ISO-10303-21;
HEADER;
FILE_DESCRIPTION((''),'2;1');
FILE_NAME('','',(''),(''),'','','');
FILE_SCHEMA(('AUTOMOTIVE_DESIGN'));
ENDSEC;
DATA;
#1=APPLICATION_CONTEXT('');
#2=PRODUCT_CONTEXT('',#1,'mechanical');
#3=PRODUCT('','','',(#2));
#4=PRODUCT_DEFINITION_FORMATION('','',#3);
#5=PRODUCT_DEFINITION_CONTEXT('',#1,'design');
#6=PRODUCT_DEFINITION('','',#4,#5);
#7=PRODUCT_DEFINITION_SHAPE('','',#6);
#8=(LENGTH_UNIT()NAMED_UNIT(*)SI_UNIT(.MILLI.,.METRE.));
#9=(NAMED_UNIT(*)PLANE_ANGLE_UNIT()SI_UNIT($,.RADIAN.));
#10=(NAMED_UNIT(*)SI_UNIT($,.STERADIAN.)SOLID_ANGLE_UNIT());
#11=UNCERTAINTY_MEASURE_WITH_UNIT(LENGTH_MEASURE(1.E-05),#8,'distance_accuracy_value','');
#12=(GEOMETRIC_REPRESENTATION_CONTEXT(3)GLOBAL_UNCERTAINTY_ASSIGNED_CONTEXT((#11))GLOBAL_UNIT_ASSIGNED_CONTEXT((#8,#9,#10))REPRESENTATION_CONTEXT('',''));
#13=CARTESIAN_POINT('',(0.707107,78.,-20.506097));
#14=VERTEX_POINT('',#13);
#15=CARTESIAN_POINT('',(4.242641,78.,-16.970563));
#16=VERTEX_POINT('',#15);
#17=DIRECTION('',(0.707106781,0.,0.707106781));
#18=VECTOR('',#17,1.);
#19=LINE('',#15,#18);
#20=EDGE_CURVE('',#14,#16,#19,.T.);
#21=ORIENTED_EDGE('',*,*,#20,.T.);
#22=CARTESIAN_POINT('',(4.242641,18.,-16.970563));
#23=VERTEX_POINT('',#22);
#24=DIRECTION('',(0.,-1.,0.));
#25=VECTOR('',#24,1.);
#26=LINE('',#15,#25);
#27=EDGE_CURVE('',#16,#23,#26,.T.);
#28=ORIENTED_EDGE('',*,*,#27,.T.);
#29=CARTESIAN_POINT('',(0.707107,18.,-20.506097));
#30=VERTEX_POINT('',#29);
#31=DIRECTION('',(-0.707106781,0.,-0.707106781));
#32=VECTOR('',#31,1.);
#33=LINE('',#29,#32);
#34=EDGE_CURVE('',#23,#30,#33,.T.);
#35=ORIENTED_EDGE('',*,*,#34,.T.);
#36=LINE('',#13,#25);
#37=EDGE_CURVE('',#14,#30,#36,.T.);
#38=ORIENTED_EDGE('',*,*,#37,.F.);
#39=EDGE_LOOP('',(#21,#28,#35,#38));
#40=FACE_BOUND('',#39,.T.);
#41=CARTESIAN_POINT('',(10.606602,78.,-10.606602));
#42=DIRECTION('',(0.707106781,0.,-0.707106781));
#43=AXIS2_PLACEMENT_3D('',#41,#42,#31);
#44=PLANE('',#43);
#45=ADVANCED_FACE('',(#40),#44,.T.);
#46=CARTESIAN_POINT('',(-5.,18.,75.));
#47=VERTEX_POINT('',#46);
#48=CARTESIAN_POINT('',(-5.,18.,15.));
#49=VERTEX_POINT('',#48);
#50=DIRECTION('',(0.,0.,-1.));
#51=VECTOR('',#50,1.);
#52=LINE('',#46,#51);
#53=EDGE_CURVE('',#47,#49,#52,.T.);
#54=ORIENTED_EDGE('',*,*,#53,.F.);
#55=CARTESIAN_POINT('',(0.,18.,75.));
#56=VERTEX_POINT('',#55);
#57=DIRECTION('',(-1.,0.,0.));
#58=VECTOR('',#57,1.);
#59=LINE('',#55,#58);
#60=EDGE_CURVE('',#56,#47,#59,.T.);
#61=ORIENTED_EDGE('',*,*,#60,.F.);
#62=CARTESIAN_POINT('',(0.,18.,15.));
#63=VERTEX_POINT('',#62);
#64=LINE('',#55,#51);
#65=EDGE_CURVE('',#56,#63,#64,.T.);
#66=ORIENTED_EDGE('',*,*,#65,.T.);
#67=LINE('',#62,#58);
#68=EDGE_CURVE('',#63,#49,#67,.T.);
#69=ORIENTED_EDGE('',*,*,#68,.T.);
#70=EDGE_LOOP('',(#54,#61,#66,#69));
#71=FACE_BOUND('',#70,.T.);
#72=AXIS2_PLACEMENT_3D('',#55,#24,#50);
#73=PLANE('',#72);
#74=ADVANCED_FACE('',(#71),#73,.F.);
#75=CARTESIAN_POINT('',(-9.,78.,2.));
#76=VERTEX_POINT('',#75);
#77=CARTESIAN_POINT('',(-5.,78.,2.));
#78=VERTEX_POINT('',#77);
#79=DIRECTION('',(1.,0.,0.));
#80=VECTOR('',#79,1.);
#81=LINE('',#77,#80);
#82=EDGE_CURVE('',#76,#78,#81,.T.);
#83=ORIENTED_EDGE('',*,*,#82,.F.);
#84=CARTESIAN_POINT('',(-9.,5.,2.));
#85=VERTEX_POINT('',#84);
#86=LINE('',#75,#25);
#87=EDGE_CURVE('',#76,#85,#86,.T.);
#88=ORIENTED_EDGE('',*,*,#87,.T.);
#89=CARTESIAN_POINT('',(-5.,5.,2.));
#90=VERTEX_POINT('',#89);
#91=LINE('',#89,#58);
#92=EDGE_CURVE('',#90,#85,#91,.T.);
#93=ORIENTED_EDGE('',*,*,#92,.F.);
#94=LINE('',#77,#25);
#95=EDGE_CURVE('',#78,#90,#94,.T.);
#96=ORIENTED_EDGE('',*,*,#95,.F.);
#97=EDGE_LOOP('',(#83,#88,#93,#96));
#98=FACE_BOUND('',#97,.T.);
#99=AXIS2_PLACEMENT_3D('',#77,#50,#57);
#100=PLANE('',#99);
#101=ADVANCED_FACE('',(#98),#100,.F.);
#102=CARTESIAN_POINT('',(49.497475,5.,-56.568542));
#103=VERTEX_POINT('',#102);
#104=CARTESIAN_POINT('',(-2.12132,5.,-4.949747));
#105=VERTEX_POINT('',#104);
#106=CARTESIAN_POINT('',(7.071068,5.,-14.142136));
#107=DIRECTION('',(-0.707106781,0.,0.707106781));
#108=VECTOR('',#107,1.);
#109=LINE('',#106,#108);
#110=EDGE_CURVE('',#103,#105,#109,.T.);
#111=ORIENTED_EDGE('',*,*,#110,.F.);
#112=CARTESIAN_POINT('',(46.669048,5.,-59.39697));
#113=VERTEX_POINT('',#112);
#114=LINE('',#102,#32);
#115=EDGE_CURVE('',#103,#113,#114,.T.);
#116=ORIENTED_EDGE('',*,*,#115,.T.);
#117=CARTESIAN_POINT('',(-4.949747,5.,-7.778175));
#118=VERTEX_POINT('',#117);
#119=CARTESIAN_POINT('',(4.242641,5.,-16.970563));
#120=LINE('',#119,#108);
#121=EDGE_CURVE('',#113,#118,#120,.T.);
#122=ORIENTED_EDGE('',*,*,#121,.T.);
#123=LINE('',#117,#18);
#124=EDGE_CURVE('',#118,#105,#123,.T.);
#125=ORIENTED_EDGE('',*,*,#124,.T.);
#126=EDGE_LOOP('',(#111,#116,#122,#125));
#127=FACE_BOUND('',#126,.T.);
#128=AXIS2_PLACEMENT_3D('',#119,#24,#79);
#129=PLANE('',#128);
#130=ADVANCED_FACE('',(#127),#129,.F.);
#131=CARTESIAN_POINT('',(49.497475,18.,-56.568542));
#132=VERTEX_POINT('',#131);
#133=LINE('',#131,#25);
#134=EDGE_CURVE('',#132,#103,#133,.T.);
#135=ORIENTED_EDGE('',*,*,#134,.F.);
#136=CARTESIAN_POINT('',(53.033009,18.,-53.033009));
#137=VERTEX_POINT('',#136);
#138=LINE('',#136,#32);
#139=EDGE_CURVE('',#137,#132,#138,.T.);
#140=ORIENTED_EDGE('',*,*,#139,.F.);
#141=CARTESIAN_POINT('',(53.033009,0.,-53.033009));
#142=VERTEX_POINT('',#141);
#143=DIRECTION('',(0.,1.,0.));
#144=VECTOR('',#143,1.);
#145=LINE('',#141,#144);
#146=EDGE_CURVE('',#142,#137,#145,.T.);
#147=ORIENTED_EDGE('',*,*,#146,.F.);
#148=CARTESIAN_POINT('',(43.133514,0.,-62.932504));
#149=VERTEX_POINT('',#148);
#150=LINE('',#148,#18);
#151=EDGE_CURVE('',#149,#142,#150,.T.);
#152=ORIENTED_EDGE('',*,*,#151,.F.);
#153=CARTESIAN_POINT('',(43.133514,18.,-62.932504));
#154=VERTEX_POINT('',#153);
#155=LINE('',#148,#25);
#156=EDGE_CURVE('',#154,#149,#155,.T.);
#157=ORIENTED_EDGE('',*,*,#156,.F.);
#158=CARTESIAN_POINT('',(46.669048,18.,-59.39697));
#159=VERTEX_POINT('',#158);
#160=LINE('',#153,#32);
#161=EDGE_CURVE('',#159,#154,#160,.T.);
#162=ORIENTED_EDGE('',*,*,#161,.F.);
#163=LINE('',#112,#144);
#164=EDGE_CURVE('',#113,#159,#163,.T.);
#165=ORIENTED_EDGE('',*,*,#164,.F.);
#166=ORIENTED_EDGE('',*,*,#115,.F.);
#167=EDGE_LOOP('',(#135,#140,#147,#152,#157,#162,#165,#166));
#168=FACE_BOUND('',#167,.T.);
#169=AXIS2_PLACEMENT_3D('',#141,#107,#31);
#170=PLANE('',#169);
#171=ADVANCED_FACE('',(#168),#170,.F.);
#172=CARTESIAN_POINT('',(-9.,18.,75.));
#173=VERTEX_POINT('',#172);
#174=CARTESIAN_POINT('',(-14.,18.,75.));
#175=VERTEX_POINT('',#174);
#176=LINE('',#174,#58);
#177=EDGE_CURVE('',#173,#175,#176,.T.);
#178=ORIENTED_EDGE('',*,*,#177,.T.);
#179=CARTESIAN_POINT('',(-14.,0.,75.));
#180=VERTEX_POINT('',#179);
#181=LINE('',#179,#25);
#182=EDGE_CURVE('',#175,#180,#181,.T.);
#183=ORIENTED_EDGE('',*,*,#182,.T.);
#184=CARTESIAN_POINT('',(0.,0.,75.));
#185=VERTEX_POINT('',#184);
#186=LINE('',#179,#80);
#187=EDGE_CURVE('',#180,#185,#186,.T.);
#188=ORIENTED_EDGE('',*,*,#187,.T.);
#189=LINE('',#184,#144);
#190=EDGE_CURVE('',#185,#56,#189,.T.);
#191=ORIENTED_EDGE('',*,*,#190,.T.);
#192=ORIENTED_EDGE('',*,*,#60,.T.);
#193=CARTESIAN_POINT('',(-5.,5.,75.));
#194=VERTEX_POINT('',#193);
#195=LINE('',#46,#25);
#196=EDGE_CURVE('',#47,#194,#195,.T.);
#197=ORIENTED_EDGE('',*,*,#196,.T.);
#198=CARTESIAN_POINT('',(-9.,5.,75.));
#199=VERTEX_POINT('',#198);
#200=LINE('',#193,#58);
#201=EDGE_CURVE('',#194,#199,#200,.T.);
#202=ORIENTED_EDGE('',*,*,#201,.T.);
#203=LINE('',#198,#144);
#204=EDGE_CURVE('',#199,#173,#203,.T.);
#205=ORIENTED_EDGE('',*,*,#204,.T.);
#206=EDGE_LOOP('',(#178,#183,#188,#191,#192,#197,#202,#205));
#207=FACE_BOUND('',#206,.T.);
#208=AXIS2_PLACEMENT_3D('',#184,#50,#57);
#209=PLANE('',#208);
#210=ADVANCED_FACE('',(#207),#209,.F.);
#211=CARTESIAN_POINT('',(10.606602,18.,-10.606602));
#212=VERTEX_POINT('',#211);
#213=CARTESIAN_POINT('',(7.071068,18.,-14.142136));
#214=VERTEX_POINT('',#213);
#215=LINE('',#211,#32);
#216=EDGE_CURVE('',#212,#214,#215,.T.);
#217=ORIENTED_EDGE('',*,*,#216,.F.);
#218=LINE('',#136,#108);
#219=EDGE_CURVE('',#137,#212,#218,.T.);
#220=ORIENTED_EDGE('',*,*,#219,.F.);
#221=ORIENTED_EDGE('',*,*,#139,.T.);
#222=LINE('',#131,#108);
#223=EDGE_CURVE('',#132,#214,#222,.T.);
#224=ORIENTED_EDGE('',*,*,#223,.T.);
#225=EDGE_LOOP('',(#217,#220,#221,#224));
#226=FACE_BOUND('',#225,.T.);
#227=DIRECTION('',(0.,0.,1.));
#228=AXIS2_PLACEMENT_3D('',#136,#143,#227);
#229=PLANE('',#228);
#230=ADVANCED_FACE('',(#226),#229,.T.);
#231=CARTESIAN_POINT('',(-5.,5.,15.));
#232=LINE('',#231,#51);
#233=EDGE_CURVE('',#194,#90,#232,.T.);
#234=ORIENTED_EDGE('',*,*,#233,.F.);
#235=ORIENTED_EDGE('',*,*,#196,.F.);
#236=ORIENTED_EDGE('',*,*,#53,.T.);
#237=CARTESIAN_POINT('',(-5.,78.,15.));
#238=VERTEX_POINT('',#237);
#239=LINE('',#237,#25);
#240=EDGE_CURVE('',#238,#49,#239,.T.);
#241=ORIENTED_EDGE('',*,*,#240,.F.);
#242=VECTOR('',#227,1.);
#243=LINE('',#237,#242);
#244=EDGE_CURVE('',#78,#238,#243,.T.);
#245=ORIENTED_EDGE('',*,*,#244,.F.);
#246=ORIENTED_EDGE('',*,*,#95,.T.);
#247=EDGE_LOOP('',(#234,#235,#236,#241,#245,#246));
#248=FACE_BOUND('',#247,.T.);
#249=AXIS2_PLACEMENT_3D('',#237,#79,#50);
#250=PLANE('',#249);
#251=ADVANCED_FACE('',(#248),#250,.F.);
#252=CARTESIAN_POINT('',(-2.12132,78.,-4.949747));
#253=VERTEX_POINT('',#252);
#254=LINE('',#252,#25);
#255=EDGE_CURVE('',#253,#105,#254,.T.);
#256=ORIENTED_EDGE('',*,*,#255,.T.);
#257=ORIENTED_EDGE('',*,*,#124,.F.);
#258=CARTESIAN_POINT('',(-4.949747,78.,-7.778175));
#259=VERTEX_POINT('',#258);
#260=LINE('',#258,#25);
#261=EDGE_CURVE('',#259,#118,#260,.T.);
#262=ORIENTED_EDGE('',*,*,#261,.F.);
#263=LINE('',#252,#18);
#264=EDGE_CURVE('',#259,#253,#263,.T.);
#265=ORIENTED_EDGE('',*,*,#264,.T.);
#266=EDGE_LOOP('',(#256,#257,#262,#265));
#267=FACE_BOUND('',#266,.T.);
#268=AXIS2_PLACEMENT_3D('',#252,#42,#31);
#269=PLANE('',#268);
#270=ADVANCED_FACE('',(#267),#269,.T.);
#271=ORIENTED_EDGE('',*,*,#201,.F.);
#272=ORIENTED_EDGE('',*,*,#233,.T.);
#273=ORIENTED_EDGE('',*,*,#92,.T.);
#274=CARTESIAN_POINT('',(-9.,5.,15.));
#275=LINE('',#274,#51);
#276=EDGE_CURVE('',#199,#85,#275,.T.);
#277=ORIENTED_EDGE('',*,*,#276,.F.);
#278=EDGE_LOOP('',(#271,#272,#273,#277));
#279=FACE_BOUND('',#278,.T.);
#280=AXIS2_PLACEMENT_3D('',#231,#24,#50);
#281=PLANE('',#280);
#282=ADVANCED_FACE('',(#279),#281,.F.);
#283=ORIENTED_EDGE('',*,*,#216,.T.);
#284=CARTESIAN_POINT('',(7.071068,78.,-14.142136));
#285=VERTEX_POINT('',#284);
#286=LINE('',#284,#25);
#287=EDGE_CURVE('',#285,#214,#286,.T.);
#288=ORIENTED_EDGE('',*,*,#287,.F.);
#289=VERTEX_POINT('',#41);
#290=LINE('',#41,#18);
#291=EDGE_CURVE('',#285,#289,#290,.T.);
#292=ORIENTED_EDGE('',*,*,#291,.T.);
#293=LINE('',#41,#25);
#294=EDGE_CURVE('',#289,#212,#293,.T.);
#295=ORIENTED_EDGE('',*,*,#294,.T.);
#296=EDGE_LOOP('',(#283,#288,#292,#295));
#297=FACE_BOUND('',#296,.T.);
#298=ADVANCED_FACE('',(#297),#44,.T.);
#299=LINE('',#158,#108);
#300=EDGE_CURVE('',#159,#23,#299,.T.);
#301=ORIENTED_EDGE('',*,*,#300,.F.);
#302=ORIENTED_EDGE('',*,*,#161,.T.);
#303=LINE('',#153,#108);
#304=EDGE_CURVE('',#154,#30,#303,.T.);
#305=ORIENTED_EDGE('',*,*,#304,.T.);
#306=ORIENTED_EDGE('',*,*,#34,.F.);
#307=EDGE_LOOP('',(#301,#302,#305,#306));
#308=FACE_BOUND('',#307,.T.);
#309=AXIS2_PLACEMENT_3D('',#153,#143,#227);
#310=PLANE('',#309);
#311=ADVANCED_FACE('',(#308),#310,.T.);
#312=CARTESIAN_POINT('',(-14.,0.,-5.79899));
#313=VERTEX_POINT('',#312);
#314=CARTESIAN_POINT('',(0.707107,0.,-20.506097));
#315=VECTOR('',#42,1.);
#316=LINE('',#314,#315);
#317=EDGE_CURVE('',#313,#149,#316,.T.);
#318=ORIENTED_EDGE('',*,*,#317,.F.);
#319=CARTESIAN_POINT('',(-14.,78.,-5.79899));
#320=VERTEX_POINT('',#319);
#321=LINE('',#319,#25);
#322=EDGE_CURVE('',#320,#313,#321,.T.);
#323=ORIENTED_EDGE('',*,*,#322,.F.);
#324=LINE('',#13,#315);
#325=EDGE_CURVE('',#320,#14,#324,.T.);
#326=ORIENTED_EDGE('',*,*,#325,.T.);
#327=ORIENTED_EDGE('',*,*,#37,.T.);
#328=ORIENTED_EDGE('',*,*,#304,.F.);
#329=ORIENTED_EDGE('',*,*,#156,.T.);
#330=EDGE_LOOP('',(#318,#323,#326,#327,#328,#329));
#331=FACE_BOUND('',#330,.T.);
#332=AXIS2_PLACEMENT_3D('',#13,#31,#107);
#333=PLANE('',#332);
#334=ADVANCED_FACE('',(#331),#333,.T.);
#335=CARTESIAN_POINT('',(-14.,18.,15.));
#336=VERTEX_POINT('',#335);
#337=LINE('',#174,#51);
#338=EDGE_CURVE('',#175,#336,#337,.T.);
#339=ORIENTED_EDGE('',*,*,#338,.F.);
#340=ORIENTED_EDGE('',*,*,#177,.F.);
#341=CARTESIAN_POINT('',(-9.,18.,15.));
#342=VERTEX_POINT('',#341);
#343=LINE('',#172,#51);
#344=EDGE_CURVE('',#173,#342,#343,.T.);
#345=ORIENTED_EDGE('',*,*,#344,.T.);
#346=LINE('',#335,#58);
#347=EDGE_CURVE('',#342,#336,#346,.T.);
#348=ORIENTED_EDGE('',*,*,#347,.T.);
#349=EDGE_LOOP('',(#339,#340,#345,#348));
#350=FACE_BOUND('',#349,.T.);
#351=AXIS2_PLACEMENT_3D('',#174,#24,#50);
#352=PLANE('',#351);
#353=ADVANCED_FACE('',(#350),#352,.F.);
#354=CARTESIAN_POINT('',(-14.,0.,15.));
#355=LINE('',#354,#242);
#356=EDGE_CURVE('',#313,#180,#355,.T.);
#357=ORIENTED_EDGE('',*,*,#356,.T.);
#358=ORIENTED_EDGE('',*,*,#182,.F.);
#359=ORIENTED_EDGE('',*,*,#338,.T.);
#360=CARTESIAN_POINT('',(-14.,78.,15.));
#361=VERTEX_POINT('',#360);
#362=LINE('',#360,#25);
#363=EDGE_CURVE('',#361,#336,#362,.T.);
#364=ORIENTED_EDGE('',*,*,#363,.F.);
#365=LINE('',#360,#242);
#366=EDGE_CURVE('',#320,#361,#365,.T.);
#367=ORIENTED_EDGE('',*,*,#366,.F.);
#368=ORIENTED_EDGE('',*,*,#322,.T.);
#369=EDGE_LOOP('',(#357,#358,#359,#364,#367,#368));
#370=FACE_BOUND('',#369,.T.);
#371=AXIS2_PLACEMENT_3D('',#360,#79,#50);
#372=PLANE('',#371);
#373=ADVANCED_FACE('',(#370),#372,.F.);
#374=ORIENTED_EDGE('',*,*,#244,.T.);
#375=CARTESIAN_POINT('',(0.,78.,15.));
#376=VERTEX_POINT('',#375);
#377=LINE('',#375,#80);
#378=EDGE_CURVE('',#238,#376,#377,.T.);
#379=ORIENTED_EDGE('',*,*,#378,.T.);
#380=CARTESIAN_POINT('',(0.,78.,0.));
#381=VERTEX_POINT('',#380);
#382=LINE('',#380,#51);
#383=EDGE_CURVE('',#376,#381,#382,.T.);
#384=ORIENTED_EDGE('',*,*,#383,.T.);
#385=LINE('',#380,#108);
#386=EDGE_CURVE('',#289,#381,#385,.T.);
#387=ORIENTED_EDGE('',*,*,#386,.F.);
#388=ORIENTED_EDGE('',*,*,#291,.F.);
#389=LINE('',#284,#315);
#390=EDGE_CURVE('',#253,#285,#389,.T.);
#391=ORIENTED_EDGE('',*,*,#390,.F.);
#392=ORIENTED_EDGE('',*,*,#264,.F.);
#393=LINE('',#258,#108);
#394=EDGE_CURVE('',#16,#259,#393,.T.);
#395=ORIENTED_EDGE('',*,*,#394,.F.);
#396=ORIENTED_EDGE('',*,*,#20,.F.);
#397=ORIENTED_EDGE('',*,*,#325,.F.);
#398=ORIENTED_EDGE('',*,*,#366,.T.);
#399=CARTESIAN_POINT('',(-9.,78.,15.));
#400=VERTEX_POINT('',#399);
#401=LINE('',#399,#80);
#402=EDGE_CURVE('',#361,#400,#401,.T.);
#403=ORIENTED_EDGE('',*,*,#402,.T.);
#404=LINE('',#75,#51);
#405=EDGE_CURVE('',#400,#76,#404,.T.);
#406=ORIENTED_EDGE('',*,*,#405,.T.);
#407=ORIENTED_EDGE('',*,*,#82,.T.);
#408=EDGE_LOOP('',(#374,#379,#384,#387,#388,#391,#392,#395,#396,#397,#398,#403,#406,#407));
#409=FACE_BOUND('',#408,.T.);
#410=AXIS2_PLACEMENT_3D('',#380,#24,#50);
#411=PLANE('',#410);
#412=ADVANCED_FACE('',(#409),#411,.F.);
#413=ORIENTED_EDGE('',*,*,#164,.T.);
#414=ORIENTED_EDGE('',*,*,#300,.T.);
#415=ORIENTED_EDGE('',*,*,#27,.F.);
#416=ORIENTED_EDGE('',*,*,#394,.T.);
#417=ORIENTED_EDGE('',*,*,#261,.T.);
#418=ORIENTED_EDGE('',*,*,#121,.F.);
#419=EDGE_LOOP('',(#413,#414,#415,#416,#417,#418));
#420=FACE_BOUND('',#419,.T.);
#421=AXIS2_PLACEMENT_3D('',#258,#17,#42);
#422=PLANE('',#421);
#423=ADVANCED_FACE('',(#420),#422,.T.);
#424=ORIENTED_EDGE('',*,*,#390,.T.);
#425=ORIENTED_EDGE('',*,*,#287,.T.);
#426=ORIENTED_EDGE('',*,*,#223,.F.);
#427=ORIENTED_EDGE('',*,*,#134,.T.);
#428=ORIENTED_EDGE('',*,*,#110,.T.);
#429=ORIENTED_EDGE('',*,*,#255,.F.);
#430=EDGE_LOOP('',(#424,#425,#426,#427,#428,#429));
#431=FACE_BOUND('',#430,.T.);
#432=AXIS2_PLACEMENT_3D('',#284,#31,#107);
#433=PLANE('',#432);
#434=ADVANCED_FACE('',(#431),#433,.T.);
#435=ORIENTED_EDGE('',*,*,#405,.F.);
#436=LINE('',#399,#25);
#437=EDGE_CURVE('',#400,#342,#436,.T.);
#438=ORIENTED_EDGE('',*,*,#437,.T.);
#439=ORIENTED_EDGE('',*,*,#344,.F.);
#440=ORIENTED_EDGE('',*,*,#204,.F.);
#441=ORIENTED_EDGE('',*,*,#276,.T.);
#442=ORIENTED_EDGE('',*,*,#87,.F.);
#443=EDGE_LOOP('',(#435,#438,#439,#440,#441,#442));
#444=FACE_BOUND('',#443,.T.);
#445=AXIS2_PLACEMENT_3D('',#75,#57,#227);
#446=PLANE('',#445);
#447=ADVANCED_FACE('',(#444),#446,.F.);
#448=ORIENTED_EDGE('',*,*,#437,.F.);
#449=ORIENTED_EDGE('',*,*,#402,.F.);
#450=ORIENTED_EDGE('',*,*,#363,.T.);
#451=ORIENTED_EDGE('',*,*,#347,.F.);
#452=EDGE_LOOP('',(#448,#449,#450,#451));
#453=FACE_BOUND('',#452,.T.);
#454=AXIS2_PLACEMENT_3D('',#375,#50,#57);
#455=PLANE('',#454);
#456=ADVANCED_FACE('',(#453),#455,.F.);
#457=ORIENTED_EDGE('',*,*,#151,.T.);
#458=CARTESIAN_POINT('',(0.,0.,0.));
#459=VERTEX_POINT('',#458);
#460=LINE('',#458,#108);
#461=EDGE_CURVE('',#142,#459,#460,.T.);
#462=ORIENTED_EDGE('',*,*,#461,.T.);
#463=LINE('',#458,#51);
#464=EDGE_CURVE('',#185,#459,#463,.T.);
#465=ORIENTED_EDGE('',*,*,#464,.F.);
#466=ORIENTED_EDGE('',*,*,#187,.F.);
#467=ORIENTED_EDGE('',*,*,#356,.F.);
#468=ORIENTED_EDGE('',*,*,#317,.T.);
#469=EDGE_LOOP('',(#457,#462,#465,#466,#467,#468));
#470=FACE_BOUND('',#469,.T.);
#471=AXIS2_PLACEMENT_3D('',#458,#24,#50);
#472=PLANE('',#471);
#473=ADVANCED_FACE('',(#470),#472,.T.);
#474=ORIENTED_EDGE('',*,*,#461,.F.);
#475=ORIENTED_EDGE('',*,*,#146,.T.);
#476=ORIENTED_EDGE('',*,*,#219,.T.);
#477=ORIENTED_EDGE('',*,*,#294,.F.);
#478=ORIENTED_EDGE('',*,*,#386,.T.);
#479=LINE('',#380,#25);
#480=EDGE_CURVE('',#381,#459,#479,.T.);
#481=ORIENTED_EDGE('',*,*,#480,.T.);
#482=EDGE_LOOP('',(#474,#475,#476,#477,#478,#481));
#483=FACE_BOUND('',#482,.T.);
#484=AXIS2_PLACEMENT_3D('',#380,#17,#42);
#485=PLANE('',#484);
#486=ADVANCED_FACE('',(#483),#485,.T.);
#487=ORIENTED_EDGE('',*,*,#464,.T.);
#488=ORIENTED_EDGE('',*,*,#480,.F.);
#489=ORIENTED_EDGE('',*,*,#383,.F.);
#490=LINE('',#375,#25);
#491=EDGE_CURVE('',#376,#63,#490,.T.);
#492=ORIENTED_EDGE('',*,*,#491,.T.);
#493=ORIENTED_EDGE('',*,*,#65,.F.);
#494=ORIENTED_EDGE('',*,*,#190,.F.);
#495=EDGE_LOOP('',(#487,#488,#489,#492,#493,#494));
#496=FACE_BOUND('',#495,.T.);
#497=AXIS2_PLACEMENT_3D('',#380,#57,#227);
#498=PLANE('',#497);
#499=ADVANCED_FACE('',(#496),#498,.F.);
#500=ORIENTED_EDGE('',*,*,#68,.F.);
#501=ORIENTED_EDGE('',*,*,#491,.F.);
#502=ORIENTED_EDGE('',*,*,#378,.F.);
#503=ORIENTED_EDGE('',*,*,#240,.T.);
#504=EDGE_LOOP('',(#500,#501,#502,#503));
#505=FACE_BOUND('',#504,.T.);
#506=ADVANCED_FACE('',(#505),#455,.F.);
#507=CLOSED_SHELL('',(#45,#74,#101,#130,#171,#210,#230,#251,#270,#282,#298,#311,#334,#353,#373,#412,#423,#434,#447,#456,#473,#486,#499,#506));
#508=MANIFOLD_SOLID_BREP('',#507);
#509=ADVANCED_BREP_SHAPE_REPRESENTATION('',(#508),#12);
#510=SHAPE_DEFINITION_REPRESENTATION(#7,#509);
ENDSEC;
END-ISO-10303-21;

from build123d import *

# Parameters (mm, degrees)
BOSS_EXTRUDE1_DEPTH = 78
SKETCH4_W           = 4
SKETCH4_H           = 5
BOSS_EXTRUDE2_DEPTH = 13
SKETCH5_W           = 4
SKETCH5_H           = 5
BOSS_EXTRUDE3_DEPTH = 13
BOSS_EXTRUDE6_DEPTH = 60


with BuildPart() as part:
    # Sketch2 → Boss-Extrude1 (new body)
    with BuildSketch(Plane(origin=(0, 0, 0), x_dir=(1, 0, 0), z_dir=(0, 1, 0))):
        Polygon((0, 0), (0, -15), (-5, -15), (-5, -2), (-9, -2), (-9, -15), (-14, -15), (-14, 5.798989873), align=None)
    boss_extrude1 = extrude(amount=BOSS_EXTRUDE1_DEPTH)

    # Mirror1: Boss-Extrude1 across plane
    add(boss_extrude1.mirror(Plane(origin=(0, 78, 0), x_dir=(0.9238795325112891, 0, 0.382683432365084), z_dir=(-0.382683432365084, 0, 0.9238795325112892))))

    # Sketch4 → Boss-Extrude2 (add)
    with BuildSketch(Plane(origin=(1.414213562, 0, -1.414213562), x_dir=(-0.7071067811865562, 0, -0.7071067811865389), z_dir=(0.7071067811865389, 0, -0.7071067811865562))):
        with Locations((7, 2.5)):
            Rectangle(SKETCH4_W, SKETCH4_H)
    extrude(amount=BOSS_EXTRUDE2_DEPTH)

    # Sketch5 → Boss-Extrude3 (add)
    with BuildSketch(Plane.XY.offset(2)):
        with Locations((-7, 2.5)):
            Rectangle(SKETCH5_W, SKETCH5_H)
    extrude(amount=BOSS_EXTRUDE3_DEPTH)

    # Sketch14 → Boss-Extrude6 (add)
    with BuildSketch(Plane.XY.offset(15)):
        Polygon((-14, 0), (0, 0), (0, 18), (-5, 18), (-5, 5), (-9, 5), (-9, 18), (-14, 18), align=None)
    boss_extrude6 = extrude(amount=BOSS_EXTRUDE6_DEPTH)

    # Mirror2: Boss-Extrude6 across plane
    add(boss_extrude6.mirror(Plane(origin=(0, 0, 0), x_dir=(0.9238795325112891, 0, 0.3826834323650842), z_dir=(-0.3826834323650841, 0, 0.9238795325112892))))


solid = part.part
